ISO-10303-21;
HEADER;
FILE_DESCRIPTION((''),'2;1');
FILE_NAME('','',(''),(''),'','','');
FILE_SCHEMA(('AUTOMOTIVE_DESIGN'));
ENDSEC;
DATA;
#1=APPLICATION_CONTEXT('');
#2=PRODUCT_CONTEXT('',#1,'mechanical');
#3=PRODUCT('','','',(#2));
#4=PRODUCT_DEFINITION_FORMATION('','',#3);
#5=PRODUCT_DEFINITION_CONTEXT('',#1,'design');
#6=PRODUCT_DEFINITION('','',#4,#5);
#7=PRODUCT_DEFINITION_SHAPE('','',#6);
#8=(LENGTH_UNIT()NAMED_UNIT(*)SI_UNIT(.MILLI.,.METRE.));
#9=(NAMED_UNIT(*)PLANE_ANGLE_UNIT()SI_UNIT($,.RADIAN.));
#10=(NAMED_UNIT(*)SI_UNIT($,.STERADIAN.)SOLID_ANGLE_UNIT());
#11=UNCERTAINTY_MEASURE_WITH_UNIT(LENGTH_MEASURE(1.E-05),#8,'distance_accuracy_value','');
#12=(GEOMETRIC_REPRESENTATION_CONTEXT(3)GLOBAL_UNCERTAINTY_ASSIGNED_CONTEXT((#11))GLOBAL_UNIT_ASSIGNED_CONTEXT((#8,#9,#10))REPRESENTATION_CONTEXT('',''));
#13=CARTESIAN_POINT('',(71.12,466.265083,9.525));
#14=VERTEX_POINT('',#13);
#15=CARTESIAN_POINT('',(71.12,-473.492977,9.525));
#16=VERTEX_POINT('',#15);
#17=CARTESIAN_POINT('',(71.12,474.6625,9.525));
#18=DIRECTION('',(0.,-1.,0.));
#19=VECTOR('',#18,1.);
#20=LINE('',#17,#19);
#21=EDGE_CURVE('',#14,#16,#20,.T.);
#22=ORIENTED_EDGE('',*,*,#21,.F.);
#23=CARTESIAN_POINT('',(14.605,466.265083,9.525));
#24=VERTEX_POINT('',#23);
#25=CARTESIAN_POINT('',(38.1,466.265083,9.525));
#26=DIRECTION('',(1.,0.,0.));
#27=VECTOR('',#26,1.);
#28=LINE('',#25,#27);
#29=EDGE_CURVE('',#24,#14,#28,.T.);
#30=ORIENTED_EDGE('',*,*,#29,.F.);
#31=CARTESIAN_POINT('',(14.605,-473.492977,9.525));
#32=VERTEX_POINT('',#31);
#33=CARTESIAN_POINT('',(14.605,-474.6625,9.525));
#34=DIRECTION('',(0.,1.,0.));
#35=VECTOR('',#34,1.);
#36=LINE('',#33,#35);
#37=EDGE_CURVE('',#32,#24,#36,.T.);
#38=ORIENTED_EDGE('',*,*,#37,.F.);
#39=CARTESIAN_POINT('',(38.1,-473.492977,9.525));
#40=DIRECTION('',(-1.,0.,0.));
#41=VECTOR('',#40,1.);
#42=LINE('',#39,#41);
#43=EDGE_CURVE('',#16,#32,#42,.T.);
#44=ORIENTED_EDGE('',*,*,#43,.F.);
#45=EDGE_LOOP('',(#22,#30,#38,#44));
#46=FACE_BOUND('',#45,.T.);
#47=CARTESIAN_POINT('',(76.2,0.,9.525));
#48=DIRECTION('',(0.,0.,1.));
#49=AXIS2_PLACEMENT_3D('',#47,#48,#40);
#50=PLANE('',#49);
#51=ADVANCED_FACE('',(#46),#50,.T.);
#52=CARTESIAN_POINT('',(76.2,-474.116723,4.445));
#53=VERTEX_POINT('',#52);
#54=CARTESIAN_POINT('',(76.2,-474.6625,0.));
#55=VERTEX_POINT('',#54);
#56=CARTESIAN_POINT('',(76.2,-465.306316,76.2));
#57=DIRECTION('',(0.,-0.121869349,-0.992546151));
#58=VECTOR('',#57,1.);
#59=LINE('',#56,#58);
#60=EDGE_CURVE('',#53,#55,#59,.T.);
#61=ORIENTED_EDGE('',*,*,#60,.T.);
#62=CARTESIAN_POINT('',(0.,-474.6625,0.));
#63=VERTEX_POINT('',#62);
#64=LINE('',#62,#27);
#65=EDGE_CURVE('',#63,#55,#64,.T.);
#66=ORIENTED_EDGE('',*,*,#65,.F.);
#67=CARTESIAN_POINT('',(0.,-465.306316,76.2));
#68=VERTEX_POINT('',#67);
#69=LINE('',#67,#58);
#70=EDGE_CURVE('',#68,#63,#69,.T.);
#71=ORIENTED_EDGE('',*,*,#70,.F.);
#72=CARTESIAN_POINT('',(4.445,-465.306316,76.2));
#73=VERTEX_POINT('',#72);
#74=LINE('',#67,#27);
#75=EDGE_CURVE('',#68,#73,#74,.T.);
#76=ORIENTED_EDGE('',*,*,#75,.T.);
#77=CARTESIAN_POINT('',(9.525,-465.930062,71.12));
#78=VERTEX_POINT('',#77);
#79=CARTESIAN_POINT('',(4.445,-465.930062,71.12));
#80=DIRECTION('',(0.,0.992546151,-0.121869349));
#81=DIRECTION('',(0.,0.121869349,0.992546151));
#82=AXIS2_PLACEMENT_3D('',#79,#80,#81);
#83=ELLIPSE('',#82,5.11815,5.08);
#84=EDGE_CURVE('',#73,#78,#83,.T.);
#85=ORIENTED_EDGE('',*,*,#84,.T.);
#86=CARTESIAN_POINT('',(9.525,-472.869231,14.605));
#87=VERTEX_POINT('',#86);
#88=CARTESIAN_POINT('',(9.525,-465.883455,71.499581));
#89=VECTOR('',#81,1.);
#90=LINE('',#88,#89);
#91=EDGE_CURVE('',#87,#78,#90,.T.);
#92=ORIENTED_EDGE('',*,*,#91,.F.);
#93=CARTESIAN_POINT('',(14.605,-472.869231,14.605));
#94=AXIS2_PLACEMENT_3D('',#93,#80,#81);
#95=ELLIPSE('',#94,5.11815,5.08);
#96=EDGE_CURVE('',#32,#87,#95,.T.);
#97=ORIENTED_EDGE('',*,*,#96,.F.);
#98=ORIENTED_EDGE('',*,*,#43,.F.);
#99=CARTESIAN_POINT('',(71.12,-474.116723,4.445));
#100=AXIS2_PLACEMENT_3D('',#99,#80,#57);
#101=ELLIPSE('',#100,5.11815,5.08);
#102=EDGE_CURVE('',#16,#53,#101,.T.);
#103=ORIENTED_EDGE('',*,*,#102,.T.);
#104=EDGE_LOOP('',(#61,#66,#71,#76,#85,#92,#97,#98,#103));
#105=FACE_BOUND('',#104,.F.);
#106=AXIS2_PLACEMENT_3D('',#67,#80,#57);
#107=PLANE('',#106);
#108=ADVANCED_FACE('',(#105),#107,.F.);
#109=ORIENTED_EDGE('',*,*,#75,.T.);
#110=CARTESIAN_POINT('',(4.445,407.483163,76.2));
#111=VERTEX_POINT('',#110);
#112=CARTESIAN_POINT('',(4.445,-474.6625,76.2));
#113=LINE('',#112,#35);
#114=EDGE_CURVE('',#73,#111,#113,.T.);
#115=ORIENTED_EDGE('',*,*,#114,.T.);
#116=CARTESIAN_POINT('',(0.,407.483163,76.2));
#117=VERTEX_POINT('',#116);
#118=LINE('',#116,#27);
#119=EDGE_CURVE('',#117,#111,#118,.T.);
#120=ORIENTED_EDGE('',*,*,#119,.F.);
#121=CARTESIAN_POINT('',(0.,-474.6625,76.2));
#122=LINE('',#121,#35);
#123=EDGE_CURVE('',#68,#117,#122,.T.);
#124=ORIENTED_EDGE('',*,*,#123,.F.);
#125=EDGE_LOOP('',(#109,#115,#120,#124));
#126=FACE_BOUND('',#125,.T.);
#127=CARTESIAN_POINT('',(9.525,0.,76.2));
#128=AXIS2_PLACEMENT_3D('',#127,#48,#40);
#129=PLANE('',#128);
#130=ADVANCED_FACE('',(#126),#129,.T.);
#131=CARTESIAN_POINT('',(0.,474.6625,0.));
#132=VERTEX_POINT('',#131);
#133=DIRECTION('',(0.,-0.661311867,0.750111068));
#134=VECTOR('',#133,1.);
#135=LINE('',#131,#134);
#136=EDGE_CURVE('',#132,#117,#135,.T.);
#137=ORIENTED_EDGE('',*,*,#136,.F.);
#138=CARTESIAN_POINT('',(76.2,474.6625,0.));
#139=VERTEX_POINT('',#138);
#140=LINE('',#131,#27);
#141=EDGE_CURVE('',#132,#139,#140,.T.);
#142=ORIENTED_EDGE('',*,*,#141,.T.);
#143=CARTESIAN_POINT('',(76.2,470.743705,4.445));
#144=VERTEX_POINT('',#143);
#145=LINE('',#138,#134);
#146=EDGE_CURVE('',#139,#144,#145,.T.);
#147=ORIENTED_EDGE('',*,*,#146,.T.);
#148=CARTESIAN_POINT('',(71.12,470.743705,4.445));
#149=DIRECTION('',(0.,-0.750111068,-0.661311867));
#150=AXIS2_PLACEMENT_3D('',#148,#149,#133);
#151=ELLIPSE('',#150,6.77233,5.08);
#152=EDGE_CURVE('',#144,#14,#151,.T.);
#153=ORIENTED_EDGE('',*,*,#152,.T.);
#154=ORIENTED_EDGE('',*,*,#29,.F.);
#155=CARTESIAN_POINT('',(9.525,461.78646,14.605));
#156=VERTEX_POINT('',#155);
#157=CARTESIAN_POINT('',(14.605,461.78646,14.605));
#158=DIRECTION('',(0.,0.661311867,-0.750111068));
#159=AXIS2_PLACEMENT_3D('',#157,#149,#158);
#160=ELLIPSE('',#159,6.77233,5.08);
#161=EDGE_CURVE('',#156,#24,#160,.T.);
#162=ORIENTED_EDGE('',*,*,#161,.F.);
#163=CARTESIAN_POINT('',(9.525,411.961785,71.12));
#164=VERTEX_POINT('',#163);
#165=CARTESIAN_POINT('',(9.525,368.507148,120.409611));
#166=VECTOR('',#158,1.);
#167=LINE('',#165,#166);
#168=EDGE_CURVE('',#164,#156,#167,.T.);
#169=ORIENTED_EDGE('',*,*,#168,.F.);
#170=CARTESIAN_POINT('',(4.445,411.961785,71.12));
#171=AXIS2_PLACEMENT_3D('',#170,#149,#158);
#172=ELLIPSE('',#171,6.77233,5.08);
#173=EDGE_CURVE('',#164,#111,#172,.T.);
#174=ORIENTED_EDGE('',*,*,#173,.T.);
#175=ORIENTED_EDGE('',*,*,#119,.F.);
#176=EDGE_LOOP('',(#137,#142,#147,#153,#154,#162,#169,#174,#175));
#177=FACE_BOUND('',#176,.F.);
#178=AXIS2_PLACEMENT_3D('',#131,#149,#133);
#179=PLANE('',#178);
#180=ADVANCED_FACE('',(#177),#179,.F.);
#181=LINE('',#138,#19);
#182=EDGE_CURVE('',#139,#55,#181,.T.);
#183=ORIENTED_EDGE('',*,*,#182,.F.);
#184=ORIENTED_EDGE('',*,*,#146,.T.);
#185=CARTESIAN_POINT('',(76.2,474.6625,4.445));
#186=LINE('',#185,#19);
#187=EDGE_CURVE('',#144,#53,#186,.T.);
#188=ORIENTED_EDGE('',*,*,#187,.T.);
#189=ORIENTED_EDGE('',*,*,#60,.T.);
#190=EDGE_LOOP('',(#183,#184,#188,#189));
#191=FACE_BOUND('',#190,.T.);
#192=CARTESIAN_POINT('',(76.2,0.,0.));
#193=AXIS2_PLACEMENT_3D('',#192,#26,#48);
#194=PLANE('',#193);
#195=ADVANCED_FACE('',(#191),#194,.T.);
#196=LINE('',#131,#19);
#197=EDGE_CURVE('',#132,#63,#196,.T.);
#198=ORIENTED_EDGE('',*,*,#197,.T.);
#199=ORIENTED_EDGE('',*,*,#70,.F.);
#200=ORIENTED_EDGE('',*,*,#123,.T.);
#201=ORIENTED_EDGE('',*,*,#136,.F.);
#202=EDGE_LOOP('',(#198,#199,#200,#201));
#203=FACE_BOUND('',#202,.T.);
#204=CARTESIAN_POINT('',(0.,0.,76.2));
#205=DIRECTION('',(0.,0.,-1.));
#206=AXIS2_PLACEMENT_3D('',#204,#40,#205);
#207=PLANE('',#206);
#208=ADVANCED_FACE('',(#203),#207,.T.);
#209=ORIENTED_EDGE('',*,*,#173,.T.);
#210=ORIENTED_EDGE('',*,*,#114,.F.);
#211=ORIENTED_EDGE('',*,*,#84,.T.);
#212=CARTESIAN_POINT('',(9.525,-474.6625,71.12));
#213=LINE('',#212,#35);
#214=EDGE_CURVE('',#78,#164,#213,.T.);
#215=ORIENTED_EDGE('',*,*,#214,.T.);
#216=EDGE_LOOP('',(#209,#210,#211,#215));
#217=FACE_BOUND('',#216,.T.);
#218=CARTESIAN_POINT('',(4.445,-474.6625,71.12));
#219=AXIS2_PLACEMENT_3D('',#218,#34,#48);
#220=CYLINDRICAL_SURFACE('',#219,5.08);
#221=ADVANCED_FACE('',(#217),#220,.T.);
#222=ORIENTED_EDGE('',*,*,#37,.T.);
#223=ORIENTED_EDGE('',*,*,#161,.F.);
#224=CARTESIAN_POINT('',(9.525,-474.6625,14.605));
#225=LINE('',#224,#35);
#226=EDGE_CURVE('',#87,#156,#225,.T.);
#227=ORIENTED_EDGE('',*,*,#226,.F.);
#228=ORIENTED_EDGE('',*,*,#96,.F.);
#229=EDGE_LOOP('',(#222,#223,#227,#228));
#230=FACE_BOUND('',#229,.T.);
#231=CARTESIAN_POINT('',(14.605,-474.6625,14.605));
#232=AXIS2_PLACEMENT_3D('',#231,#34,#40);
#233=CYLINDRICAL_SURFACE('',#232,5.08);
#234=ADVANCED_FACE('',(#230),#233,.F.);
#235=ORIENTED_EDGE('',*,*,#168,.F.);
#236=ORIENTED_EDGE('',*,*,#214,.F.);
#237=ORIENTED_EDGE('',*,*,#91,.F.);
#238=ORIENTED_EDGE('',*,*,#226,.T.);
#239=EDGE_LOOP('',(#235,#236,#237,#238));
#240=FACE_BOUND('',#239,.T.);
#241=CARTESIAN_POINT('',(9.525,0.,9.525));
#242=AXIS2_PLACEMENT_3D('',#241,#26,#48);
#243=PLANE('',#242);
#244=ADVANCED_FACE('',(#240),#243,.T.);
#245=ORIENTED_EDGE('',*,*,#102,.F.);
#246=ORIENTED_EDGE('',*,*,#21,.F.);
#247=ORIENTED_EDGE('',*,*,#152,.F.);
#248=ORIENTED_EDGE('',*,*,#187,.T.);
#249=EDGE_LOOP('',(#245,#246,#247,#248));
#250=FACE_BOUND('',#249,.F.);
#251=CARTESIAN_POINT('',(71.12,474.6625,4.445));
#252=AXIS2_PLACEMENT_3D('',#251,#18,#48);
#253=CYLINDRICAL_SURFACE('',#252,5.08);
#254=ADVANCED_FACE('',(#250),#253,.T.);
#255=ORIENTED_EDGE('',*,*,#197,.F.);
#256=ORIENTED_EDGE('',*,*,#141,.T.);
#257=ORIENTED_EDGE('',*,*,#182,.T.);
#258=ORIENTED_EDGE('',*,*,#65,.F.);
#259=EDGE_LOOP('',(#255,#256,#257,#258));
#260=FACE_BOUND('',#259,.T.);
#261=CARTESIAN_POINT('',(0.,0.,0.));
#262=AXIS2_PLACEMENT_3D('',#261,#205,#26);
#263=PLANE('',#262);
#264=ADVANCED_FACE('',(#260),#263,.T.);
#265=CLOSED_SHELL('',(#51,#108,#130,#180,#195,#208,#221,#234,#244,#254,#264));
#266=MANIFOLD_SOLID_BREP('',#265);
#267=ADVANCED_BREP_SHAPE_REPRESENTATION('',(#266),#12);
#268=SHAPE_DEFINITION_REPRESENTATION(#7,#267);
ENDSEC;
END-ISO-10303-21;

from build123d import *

# Parameters (mm, degrees)
F1_DEPTH = 474.6625
F2_R     = 5.08
F4_DEPTH = 76.2
F5_DEPTH = 76.2


with BuildPart() as f1:
    # F0 (on Front) → F1 (new body, symmetric)
    with BuildSketch(Plane.XZ):
        Polygon((0, 76.2), (0, 0), (76.2, 0), (76.2, 9.525), (9.525, 9.525), (9.525, 76.2), align=None)
    extrude(amount=F1_DEPTH, both=True)

    # F2
    f2_edges = [f1.edges().sort_by_distance(p)[0] for p in [
        (9.525, 0, 76.2),
        (9.525, 0, 9.525),
        (76.2, 0, 9.525),
    ]]
    fillet(f2_edges, radius=F2_R)

    # F3 (on face) → F4 (cut)
    with BuildSketch(Plane(origin=(0, 0, 0), x_dir=(0, -1, 0), z_dir=(-1, 0, 0))):
        Polygon((-474.6625, 76.2), (-474.6625, 0), (-407.483163, 76.2), align=None)
        Polygon((465.306316, 76.2), (474.6625, 0), (474.6625, 76.2), align=None)
    extrude(amount=-F4_DEPTH, mode=Mode.SUBTRACT)

    # F3 (on face) → F5 (cut)
    with BuildSketch(Plane(origin=(0, 0, 0), x_dir=(0, -1, 0), z_dir=(-1, 0, 0))):
        Polygon((-474.6625, 76.2), (-474.6625, 0), (-407.483163, 76.2), align=None)
        Polygon((465.306316, 76.2), (474.6625, 0), (474.6625, 76.2), align=None)
    extrude(amount=-F5_DEPTH, mode=Mode.SUBTRACT)


solid = f1.part
